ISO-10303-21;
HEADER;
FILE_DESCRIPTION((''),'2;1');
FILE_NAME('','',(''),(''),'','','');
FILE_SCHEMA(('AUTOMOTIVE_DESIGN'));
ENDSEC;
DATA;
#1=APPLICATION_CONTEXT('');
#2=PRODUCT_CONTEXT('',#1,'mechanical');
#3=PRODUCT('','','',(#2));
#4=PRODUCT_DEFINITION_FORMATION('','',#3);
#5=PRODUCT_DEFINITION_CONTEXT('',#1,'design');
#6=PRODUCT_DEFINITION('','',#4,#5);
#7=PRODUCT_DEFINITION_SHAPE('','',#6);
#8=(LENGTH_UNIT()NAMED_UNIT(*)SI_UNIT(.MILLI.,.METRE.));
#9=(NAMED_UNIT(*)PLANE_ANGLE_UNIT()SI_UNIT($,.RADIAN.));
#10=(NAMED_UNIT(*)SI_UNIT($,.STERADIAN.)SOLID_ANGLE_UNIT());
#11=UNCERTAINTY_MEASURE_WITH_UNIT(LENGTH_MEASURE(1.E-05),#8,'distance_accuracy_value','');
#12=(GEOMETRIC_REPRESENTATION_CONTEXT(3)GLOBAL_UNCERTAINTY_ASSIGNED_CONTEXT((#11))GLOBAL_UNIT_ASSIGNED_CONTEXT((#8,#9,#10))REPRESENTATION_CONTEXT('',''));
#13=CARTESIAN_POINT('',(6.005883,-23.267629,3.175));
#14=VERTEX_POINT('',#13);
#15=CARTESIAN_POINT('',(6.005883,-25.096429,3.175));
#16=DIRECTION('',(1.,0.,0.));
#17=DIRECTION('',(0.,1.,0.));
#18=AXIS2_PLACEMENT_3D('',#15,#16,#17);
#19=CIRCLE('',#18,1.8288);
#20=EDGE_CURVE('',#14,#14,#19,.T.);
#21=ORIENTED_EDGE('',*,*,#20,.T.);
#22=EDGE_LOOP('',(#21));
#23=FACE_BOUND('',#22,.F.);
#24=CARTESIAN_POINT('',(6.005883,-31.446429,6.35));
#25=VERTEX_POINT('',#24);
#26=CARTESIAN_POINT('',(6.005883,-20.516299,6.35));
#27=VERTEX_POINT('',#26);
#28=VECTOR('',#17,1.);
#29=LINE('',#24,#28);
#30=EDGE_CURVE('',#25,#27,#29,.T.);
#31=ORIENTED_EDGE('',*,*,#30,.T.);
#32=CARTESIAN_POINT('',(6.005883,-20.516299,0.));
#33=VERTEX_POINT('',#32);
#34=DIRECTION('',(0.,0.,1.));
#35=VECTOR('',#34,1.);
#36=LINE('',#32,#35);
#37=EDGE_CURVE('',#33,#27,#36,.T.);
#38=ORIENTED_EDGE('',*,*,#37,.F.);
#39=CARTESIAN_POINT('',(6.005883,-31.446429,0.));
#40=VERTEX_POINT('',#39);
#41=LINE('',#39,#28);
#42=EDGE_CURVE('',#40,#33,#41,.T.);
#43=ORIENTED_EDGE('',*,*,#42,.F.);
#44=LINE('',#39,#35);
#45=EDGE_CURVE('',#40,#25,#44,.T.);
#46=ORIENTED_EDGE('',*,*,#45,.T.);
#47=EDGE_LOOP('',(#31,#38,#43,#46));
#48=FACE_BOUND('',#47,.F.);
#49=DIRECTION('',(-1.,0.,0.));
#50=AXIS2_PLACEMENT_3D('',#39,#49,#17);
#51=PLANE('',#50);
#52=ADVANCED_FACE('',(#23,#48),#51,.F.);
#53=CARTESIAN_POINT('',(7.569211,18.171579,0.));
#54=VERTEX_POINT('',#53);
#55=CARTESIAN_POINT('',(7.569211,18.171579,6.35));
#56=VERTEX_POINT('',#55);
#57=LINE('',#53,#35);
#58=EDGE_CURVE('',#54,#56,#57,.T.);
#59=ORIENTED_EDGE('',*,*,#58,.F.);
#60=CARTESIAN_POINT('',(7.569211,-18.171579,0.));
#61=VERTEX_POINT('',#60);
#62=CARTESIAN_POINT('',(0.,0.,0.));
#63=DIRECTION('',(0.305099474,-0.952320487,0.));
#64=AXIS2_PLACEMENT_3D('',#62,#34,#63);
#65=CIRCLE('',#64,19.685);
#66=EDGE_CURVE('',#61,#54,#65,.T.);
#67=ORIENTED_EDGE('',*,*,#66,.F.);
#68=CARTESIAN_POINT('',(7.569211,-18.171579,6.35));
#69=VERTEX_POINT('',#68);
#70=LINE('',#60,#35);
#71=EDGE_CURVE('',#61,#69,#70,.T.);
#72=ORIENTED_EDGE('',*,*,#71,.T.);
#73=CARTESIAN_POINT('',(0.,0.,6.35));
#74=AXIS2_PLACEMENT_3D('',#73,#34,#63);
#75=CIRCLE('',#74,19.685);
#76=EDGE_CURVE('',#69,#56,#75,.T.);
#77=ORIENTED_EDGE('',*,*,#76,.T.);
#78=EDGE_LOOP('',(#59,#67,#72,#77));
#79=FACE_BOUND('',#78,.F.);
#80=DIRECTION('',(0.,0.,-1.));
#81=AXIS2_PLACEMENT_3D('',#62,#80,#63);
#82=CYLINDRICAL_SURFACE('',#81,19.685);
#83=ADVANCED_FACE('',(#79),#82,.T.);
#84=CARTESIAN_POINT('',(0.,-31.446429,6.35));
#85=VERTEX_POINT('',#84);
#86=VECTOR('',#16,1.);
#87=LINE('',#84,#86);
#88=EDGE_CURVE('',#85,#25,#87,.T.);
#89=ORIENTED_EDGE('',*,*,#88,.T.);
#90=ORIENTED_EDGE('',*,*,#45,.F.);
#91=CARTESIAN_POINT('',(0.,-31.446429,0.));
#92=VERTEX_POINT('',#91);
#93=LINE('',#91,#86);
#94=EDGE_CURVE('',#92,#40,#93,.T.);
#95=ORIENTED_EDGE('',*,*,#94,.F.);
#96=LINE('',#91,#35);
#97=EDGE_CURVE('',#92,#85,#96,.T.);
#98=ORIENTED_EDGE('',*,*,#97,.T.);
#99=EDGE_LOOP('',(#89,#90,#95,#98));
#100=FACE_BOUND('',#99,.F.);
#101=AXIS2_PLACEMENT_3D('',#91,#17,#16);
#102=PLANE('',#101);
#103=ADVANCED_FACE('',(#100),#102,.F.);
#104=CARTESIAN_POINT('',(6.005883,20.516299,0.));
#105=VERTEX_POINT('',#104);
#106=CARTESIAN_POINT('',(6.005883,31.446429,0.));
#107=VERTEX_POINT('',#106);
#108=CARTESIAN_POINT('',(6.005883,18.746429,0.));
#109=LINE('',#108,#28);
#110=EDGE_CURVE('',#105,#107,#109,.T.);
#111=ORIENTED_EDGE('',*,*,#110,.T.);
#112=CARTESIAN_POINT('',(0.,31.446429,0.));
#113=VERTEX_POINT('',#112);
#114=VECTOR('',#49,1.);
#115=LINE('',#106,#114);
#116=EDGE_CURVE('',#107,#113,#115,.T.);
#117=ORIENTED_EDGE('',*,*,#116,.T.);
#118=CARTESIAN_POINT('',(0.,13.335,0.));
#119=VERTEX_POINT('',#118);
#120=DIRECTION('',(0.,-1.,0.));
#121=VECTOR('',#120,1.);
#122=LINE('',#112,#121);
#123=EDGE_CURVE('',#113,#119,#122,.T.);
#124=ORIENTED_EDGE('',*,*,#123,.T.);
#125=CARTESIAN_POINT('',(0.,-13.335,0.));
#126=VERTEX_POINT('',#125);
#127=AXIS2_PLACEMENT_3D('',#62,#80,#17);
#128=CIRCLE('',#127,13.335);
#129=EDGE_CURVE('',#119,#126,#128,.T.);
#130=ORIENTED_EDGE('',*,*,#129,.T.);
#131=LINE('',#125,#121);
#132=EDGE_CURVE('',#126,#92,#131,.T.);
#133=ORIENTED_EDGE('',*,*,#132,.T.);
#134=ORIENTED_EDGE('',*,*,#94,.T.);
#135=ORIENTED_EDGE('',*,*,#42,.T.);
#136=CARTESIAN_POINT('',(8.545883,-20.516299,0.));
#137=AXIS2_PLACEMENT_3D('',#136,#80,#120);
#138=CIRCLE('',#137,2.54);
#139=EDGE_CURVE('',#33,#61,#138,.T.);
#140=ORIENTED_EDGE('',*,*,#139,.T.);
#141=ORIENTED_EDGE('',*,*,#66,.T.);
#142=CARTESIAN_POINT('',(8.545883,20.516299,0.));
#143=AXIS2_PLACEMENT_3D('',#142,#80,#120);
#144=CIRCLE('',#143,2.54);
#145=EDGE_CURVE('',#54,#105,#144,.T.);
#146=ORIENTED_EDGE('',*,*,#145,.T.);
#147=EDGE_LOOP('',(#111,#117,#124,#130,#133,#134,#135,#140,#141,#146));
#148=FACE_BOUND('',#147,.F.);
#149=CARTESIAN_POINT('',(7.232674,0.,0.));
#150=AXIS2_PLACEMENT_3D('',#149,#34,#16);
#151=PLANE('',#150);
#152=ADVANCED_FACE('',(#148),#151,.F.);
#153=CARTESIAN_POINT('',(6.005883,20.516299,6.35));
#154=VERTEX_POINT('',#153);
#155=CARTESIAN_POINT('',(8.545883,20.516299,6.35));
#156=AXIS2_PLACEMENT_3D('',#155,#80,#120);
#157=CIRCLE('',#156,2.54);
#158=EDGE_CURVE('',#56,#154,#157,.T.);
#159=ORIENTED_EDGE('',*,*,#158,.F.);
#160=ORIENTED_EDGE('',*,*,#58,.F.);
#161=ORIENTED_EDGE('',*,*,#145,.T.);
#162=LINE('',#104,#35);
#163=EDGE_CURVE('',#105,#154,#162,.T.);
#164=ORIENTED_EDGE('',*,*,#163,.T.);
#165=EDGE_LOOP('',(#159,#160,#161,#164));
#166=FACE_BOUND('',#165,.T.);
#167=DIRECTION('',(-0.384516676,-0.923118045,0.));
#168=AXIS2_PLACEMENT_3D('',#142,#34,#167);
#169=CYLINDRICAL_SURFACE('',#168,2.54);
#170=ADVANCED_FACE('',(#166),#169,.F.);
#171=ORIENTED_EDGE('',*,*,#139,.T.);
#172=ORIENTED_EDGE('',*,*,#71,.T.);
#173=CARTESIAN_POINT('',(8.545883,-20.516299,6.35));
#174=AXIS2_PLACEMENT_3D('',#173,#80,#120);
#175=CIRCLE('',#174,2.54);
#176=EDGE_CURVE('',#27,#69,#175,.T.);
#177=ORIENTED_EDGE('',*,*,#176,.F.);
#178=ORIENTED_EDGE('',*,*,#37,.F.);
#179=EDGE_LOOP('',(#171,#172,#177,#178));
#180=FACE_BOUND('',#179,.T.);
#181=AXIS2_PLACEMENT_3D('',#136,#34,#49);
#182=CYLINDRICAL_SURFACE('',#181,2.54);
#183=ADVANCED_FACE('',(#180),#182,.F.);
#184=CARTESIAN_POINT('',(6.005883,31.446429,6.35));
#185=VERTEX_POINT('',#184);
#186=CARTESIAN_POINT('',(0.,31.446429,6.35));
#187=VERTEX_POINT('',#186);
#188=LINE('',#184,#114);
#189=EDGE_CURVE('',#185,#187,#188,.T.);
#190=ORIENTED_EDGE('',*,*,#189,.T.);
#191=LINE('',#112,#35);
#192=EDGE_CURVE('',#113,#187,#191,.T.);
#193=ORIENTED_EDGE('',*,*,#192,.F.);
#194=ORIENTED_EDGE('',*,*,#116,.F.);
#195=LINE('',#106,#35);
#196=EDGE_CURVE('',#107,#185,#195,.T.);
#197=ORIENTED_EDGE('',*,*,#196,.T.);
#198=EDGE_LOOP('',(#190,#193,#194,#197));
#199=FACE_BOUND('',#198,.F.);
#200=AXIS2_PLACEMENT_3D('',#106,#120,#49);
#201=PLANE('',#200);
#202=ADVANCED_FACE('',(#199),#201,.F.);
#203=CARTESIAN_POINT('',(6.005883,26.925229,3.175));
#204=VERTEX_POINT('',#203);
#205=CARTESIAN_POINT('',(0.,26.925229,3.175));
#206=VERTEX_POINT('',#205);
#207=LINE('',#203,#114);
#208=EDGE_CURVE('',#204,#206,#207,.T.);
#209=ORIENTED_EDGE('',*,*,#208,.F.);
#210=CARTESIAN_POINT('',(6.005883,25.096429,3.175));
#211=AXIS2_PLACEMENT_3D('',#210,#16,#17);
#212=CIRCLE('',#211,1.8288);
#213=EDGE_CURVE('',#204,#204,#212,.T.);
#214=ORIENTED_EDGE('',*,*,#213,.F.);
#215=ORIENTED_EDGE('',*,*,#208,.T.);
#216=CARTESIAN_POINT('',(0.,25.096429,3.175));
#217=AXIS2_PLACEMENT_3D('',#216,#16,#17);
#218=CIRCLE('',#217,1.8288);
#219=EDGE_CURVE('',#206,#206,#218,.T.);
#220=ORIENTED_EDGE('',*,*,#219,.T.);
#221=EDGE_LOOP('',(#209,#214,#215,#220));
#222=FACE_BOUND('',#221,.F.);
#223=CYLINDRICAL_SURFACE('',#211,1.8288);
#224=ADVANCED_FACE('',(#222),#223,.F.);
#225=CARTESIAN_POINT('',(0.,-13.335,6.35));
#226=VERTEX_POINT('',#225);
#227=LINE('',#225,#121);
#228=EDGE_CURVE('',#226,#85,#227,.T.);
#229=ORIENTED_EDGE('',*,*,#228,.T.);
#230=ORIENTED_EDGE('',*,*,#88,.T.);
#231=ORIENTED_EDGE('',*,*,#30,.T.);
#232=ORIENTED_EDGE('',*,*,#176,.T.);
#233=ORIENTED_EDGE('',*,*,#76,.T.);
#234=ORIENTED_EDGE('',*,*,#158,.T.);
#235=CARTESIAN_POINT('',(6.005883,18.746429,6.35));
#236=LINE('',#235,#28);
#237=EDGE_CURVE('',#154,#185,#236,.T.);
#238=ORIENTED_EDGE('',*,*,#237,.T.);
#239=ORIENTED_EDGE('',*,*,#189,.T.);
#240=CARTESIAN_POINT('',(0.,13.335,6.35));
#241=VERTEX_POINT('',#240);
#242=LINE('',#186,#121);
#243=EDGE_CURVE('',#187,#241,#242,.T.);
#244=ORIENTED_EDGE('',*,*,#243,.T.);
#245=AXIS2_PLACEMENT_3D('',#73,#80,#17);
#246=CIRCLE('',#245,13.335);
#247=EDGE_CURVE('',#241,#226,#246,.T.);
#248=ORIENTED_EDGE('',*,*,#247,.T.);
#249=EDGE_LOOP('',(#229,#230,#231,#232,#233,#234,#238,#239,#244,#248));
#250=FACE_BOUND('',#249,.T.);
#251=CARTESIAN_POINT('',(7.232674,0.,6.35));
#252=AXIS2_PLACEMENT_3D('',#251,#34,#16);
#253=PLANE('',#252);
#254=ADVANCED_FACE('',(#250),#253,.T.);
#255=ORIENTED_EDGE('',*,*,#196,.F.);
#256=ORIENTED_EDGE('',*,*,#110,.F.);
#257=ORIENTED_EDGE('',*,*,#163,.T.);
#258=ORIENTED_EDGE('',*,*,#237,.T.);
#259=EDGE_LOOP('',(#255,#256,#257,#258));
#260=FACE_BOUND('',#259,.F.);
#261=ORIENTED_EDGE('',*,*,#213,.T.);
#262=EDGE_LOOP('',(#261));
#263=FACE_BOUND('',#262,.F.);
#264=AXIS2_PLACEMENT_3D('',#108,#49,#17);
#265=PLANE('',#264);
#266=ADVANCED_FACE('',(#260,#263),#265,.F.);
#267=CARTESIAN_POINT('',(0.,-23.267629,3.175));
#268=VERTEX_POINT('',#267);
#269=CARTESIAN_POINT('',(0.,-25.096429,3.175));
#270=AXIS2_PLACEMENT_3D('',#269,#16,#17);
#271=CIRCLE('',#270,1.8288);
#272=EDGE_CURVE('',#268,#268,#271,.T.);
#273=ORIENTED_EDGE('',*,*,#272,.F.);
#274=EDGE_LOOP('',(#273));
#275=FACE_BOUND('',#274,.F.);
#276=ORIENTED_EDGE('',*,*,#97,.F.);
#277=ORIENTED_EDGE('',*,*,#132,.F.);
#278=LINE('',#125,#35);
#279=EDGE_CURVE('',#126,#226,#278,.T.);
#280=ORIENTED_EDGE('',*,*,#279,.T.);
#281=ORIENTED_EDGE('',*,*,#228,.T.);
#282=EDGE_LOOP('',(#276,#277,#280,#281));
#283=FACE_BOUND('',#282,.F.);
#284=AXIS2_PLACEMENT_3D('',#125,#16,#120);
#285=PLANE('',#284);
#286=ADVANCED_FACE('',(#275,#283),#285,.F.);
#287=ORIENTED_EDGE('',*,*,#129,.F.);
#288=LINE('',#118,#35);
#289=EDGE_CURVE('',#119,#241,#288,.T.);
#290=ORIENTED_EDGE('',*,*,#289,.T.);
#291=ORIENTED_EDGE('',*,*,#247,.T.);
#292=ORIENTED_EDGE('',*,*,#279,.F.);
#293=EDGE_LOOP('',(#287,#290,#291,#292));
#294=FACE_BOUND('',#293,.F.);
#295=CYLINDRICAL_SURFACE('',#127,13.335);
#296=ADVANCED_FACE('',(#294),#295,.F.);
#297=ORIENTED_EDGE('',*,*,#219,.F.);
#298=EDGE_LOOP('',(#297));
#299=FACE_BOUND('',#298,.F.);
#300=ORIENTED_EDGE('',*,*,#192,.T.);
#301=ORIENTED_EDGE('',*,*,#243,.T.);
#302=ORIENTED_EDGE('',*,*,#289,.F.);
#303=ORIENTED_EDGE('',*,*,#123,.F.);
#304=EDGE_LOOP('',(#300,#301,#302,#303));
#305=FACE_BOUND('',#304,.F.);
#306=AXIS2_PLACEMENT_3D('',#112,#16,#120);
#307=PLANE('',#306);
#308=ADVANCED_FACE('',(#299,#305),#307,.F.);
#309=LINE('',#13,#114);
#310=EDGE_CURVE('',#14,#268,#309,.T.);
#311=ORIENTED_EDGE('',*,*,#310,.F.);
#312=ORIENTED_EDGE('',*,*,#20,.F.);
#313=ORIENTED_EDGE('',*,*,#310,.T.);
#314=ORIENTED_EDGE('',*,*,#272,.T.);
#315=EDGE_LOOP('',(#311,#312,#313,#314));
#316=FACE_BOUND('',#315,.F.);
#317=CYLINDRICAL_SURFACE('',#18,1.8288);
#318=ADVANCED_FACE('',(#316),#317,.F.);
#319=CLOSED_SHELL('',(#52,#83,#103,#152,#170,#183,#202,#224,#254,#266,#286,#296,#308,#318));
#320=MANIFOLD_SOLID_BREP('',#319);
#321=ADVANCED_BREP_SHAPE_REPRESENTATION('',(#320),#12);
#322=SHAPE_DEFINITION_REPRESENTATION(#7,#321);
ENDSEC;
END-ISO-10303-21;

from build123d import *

# Parameters (mm, degrees)
F1_DEPTH = 6.35
F2_R     = 1.8288
F3_R     = 1.8288
F4_DEPTH = 6.005883
F5_R     = 2.54


with BuildPart() as f1:
    # F0 (on Top) → F1 (new body)
    with BuildSketch(Plane.XY):
        with BuildLine():
            ThreePointArc((0, 13.335), (13.335, 0), (0, -13.335))
            Line((0, -13.335), (0, -31.446429))
            Line((0, -31.446429), (6.005883, -31.446429))
            Line((6.005883, -31.446429), (6.005883, -18.746429))
            ThreePointArc((6.005883, -18.746429), (19.685, 0), (6.005883, 18.746429))
            Line((6.005883, 18.746429), (6.005883, 31.446429))
            Line((6.005883, 31.446429), (0, 31.446429))
            Line((0, 31.446429), (0, 13.335))
        make_face()
    extrude(amount=F1_DEPTH)

    # F2 (on face) + F3 (on face) → F4 (cut, through all)
    with BuildSketch(Plane.YZ.offset(6.005883)):
        with Locations((-25.096429, 3.175)):
            Circle(F2_R)
    with BuildSketch(Plane.YZ.offset(6.005883)):
        with Locations((25.096429, 3.175)):
            Circle(F3_R)
    extrude(amount=-F4_DEPTH, mode=Mode.SUBTRACT)

    # F5
    f5_edges = [f1.edges().sort_by_distance(p)[0] for p in [
        (6.005883, -18.746429, 3.175),
        (6.005883, 18.746429, 3.175),
    ]]
    fillet(f5_edges, radius=F5_R)


solid = f1.part
